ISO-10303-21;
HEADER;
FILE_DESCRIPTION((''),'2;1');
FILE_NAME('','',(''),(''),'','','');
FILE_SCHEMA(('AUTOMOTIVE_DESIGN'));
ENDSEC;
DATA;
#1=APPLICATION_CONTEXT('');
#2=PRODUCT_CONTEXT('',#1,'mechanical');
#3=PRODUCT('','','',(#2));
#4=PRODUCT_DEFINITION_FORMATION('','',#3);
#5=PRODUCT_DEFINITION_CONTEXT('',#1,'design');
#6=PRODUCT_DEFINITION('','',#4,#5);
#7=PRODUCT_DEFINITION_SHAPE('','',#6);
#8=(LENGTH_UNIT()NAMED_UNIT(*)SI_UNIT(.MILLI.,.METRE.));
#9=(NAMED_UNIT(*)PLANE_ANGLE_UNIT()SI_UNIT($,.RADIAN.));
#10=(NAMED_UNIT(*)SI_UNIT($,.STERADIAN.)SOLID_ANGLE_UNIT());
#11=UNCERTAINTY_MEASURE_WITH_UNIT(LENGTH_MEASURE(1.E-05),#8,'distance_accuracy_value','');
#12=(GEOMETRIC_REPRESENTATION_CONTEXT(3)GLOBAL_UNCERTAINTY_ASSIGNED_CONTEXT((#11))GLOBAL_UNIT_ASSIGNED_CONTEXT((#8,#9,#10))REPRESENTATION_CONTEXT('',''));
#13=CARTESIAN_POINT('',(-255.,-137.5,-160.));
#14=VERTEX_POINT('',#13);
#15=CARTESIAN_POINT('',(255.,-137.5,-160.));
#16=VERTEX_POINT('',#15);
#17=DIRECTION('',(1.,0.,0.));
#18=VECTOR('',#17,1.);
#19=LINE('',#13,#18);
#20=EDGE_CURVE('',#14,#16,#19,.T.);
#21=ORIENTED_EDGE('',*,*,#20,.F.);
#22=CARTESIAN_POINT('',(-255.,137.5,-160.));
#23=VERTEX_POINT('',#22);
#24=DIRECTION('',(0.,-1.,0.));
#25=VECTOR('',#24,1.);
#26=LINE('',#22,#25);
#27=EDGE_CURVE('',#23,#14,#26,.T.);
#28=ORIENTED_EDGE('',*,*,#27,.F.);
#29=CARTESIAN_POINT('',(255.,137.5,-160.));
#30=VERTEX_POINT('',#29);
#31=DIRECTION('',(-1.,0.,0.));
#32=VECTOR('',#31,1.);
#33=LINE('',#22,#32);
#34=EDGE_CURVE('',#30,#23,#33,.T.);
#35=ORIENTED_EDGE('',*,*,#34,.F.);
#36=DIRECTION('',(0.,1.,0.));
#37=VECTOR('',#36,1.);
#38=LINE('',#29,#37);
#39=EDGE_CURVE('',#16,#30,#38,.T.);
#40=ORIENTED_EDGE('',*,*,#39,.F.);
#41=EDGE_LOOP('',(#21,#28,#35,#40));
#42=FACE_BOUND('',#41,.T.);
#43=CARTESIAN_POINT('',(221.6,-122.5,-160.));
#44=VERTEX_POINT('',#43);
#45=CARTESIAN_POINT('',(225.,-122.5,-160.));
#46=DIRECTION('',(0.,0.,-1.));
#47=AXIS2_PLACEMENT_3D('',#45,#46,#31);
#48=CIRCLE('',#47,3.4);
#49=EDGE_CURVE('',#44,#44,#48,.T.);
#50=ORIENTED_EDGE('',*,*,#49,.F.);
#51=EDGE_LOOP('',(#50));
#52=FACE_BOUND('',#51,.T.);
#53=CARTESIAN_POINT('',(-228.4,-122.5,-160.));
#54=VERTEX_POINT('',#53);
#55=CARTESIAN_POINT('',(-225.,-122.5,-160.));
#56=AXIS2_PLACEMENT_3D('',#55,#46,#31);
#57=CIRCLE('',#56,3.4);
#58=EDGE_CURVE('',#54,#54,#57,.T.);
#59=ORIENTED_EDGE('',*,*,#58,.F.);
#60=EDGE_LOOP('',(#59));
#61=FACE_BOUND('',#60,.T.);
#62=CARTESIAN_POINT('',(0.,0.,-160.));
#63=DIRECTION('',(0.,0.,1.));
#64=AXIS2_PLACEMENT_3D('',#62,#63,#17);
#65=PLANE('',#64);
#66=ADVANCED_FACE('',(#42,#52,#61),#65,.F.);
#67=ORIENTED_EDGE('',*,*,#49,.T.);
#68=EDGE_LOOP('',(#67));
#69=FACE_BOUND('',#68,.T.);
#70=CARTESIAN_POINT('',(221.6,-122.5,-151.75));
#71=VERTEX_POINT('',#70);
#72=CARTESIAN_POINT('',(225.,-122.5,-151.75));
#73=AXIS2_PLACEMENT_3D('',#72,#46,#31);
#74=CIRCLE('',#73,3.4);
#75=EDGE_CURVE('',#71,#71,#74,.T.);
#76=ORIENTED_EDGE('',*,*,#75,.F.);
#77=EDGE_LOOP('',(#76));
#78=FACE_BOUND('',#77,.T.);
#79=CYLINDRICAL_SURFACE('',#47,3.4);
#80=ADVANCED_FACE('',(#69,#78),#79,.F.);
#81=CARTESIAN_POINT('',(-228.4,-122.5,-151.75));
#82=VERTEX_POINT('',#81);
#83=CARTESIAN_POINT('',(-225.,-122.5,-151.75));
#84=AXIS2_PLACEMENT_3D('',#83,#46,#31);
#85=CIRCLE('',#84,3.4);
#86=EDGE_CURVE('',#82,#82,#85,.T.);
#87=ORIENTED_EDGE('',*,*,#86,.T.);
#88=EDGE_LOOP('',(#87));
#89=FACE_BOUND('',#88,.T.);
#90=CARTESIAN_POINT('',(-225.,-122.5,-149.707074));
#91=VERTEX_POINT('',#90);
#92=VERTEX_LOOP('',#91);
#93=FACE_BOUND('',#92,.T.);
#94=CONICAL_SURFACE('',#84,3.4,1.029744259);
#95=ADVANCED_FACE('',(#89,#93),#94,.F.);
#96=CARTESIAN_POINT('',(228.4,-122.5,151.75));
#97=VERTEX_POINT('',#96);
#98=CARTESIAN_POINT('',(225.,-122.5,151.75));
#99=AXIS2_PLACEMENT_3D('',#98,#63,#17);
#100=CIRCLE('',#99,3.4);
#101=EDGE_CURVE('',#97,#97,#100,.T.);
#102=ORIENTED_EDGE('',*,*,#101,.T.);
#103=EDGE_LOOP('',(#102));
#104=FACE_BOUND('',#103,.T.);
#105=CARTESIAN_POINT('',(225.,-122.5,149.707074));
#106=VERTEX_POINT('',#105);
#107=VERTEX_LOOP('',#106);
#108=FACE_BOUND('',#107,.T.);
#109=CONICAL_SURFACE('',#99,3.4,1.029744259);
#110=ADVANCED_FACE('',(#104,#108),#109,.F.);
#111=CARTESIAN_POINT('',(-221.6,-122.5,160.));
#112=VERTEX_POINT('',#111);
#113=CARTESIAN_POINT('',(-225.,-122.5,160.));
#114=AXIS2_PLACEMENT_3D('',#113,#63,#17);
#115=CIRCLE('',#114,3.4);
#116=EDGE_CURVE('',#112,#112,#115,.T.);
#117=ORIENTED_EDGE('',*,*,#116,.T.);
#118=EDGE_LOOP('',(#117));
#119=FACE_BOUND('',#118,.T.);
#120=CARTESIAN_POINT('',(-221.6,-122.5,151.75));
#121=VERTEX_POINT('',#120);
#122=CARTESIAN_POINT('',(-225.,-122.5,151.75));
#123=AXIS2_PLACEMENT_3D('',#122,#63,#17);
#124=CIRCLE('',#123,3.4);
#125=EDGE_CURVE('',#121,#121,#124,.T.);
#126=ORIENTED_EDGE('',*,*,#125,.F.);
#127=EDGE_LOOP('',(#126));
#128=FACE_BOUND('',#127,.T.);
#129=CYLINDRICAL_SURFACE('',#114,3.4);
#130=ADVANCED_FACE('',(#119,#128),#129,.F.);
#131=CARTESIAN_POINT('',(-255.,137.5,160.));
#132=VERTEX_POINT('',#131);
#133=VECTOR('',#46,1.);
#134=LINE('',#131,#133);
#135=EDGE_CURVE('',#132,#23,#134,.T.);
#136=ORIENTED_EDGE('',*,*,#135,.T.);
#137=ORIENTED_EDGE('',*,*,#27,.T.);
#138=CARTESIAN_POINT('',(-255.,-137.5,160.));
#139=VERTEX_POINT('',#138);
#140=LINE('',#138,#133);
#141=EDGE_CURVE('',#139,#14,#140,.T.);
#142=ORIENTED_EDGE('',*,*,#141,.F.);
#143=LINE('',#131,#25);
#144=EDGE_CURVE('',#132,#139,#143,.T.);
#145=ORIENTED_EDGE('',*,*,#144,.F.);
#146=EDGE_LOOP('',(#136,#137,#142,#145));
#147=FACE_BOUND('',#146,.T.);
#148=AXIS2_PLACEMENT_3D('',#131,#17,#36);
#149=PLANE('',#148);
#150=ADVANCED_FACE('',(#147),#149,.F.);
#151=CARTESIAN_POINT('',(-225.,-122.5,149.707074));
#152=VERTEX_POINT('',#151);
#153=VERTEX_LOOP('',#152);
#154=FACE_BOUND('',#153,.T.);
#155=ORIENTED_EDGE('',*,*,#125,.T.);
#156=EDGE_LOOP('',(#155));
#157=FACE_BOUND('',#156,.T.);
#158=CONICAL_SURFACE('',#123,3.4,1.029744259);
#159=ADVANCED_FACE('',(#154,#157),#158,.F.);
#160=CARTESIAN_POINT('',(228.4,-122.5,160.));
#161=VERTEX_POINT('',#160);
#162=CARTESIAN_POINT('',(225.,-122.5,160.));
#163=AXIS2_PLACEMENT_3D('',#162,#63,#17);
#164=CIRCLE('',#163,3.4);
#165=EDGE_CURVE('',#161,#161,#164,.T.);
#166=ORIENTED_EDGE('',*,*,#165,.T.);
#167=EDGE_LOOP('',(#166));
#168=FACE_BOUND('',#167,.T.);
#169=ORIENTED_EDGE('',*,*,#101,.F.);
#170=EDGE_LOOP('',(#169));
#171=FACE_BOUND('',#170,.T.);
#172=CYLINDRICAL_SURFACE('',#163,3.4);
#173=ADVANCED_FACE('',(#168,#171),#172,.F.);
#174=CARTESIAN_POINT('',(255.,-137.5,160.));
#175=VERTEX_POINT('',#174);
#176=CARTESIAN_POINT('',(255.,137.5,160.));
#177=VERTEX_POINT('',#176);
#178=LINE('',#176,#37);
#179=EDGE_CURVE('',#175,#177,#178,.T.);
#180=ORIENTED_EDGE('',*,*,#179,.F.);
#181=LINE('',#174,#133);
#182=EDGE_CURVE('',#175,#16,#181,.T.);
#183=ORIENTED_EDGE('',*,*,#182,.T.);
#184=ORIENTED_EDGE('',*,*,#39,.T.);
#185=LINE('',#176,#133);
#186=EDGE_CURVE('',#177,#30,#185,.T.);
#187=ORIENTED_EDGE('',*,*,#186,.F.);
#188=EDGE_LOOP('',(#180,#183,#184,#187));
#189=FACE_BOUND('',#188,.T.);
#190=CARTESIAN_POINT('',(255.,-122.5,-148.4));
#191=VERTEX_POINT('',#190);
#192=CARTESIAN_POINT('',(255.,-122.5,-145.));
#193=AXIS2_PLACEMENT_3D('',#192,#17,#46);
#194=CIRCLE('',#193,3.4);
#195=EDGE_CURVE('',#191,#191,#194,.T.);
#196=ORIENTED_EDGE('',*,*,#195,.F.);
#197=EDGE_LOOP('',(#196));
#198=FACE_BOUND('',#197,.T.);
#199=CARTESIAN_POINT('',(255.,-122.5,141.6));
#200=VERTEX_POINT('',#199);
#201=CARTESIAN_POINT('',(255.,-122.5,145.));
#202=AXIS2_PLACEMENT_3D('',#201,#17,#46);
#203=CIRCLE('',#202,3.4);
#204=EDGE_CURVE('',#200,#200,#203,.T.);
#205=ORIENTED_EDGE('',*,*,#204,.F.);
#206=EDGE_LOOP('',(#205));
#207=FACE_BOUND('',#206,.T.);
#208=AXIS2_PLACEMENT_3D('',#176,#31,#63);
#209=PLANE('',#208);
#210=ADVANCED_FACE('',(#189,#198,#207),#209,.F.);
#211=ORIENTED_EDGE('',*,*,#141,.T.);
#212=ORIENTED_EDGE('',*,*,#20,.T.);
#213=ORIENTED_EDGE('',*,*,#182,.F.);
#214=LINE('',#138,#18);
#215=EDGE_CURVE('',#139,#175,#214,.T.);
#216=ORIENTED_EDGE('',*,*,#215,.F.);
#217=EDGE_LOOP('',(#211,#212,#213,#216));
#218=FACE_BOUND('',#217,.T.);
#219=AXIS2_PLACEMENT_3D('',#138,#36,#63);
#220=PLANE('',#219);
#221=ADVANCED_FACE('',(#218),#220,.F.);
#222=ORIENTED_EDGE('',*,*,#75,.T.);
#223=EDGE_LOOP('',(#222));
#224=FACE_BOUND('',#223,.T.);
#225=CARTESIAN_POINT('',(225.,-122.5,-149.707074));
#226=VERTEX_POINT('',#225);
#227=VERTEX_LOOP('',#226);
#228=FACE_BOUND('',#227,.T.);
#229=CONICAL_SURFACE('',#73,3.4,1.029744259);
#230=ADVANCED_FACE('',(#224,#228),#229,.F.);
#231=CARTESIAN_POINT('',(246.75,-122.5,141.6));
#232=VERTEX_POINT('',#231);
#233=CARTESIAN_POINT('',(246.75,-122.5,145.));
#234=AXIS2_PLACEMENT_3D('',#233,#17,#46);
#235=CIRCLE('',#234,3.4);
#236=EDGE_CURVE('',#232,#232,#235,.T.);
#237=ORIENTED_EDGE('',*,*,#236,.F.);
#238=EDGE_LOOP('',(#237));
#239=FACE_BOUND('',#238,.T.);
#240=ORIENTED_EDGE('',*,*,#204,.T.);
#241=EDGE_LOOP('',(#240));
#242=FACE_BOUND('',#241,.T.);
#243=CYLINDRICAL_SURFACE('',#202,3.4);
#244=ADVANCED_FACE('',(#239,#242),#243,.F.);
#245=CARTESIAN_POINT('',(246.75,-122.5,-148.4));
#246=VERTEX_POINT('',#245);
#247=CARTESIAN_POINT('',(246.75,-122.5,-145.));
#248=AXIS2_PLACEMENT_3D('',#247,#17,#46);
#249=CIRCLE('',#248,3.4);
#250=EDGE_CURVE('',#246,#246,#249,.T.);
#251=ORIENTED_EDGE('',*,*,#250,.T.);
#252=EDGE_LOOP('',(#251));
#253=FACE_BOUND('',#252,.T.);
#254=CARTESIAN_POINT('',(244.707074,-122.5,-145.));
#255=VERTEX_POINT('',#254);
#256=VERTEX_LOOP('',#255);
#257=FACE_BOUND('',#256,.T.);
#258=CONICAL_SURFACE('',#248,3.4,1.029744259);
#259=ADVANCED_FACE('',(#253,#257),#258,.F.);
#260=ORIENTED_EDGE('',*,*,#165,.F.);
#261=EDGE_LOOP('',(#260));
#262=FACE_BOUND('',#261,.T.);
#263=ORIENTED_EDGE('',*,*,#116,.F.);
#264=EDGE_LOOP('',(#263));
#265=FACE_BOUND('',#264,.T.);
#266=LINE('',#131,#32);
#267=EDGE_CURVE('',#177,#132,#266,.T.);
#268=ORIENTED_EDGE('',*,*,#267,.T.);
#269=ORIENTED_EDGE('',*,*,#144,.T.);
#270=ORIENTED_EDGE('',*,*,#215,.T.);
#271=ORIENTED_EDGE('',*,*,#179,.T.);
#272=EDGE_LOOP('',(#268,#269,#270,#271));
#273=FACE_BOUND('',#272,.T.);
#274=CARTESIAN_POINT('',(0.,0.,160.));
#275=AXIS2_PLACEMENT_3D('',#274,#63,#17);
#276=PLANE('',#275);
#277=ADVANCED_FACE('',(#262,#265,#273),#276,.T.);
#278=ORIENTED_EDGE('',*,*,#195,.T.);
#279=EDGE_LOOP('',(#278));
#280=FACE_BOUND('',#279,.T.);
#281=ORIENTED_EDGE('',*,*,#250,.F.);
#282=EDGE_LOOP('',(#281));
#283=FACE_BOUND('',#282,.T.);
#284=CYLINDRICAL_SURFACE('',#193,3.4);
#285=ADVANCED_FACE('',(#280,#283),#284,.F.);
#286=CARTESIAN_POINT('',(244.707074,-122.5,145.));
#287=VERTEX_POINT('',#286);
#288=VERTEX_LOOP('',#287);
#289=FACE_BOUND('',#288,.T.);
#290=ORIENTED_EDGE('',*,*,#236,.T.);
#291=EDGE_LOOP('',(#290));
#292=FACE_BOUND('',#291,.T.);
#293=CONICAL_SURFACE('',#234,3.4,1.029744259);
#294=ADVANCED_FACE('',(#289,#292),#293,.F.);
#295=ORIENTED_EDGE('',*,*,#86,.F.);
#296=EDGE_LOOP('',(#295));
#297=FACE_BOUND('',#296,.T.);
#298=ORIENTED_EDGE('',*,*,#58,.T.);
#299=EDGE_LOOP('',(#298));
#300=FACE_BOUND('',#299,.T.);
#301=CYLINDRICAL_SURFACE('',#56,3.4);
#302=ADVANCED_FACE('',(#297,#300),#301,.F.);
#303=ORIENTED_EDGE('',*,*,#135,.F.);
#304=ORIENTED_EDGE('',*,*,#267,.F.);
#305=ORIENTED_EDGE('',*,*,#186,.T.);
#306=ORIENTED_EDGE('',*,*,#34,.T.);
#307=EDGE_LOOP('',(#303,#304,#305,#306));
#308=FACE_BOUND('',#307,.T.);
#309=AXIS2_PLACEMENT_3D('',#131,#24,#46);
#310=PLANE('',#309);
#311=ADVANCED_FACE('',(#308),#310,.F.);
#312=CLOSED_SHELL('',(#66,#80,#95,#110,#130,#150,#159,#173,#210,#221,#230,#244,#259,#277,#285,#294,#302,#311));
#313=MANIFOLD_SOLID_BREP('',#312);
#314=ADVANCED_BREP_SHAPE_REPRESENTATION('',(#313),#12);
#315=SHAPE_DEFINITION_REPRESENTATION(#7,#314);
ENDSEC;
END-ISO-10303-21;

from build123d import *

# Parameters (mm, degrees)
SCHIZZO1_W                     = 510
SCHIZZO1_H                     = 275
ESTRUSIONE_ESTRUSIONE1_DEPTH   = 160
FORO_FILETTATO_M8_1_AT_2_COUNT = 2
FORO_FILETTATO_M8_1_AT_2_PITCH = 450
FORO_FILETTATO_M8_2_D          = 6.8
FORO_FILETTATO_M8_2_DEPTH      = 8.25
FORO_FILETTATO_M8_2_TIP        = 2.042926105


with BuildPart() as part:
    # Schizzo1 → Estrusione-Estrusione1 (new, symmetric)
    with BuildSketch(Plane.XY):
        Rectangle(SCHIZZO1_W, SCHIZZO1_H)
    extrude(amount=ESTRUSIONE_ESTRUSIONE1_DEPTH, both=True)

    # Schizzo4 → Foro filettato M8-1 (revolve, cut)
    with BuildSketch(Plane(origin=(225, -122.5, 160), x_dir=(0, -1, 0), z_dir=(1, 0, 0))):
        Polygon((0, 0), (0, 10.292926105), (3.4, 8.25), (3.4, 0), align=None)
    foro_filettato_m8_1 = revolve(axis=Axis((225, -122.5, 166.35), (0, 0, -1)), mode=Mode.SUBTRACT)

    # Foro filettato M8-1 at 2: Foro filettato M8-1 ×2
    with Locations(*[(-i * FORO_FILETTATO_M8_1_AT_2_PITCH, 0, 0) for i in range(1, FORO_FILETTATO_M8_1_AT_2_COUNT)]):
        add(foro_filettato_m8_1, mode=Mode.SUBTRACT)

    # Foro filettato M8-2
    with Locations(Plane(origin=(255, 0, 0), x_dir=(0, 0, -1), z_dir=(1, 0, 0))):
        with Locations((-145, -122.5), (145, -122.5)):
            Hole(FORO_FILETTATO_M8_2_D / 2, depth=FORO_FILETTATO_M8_2_DEPTH)
            with Locations((0, 0, -(FORO_FILETTATO_M8_2_DEPTH + FORO_FILETTATO_M8_2_TIP / 2))):  # 118° drill point
                Cone(0, FORO_FILETTATO_M8_2_D / 2, FORO_FILETTATO_M8_2_TIP, mode=Mode.SUBTRACT)

    # Specchia1: Foro filettato M8-1 across plane
    add(foro_filettato_m8_1.mirror(Plane.XY), mode=Mode.SUBTRACT)

    # Specchia1 copy 1 sketch → Specchia1 copy 1 (revolve, cut)
    with BuildSketch(Plane(origin=(-225, -122.5, -160), x_dir=(0, -1, 0), z_dir=(1, 0, 0))):
        Polygon((0, 0), (0, -10.292926105), (3.4, -8.25), (3.4, 0), align=None)
    revolve(axis=Axis((-225, -122.5, -166.35), (0, 0, -1)), mode=Mode.SUBTRACT)


solid = part.part
